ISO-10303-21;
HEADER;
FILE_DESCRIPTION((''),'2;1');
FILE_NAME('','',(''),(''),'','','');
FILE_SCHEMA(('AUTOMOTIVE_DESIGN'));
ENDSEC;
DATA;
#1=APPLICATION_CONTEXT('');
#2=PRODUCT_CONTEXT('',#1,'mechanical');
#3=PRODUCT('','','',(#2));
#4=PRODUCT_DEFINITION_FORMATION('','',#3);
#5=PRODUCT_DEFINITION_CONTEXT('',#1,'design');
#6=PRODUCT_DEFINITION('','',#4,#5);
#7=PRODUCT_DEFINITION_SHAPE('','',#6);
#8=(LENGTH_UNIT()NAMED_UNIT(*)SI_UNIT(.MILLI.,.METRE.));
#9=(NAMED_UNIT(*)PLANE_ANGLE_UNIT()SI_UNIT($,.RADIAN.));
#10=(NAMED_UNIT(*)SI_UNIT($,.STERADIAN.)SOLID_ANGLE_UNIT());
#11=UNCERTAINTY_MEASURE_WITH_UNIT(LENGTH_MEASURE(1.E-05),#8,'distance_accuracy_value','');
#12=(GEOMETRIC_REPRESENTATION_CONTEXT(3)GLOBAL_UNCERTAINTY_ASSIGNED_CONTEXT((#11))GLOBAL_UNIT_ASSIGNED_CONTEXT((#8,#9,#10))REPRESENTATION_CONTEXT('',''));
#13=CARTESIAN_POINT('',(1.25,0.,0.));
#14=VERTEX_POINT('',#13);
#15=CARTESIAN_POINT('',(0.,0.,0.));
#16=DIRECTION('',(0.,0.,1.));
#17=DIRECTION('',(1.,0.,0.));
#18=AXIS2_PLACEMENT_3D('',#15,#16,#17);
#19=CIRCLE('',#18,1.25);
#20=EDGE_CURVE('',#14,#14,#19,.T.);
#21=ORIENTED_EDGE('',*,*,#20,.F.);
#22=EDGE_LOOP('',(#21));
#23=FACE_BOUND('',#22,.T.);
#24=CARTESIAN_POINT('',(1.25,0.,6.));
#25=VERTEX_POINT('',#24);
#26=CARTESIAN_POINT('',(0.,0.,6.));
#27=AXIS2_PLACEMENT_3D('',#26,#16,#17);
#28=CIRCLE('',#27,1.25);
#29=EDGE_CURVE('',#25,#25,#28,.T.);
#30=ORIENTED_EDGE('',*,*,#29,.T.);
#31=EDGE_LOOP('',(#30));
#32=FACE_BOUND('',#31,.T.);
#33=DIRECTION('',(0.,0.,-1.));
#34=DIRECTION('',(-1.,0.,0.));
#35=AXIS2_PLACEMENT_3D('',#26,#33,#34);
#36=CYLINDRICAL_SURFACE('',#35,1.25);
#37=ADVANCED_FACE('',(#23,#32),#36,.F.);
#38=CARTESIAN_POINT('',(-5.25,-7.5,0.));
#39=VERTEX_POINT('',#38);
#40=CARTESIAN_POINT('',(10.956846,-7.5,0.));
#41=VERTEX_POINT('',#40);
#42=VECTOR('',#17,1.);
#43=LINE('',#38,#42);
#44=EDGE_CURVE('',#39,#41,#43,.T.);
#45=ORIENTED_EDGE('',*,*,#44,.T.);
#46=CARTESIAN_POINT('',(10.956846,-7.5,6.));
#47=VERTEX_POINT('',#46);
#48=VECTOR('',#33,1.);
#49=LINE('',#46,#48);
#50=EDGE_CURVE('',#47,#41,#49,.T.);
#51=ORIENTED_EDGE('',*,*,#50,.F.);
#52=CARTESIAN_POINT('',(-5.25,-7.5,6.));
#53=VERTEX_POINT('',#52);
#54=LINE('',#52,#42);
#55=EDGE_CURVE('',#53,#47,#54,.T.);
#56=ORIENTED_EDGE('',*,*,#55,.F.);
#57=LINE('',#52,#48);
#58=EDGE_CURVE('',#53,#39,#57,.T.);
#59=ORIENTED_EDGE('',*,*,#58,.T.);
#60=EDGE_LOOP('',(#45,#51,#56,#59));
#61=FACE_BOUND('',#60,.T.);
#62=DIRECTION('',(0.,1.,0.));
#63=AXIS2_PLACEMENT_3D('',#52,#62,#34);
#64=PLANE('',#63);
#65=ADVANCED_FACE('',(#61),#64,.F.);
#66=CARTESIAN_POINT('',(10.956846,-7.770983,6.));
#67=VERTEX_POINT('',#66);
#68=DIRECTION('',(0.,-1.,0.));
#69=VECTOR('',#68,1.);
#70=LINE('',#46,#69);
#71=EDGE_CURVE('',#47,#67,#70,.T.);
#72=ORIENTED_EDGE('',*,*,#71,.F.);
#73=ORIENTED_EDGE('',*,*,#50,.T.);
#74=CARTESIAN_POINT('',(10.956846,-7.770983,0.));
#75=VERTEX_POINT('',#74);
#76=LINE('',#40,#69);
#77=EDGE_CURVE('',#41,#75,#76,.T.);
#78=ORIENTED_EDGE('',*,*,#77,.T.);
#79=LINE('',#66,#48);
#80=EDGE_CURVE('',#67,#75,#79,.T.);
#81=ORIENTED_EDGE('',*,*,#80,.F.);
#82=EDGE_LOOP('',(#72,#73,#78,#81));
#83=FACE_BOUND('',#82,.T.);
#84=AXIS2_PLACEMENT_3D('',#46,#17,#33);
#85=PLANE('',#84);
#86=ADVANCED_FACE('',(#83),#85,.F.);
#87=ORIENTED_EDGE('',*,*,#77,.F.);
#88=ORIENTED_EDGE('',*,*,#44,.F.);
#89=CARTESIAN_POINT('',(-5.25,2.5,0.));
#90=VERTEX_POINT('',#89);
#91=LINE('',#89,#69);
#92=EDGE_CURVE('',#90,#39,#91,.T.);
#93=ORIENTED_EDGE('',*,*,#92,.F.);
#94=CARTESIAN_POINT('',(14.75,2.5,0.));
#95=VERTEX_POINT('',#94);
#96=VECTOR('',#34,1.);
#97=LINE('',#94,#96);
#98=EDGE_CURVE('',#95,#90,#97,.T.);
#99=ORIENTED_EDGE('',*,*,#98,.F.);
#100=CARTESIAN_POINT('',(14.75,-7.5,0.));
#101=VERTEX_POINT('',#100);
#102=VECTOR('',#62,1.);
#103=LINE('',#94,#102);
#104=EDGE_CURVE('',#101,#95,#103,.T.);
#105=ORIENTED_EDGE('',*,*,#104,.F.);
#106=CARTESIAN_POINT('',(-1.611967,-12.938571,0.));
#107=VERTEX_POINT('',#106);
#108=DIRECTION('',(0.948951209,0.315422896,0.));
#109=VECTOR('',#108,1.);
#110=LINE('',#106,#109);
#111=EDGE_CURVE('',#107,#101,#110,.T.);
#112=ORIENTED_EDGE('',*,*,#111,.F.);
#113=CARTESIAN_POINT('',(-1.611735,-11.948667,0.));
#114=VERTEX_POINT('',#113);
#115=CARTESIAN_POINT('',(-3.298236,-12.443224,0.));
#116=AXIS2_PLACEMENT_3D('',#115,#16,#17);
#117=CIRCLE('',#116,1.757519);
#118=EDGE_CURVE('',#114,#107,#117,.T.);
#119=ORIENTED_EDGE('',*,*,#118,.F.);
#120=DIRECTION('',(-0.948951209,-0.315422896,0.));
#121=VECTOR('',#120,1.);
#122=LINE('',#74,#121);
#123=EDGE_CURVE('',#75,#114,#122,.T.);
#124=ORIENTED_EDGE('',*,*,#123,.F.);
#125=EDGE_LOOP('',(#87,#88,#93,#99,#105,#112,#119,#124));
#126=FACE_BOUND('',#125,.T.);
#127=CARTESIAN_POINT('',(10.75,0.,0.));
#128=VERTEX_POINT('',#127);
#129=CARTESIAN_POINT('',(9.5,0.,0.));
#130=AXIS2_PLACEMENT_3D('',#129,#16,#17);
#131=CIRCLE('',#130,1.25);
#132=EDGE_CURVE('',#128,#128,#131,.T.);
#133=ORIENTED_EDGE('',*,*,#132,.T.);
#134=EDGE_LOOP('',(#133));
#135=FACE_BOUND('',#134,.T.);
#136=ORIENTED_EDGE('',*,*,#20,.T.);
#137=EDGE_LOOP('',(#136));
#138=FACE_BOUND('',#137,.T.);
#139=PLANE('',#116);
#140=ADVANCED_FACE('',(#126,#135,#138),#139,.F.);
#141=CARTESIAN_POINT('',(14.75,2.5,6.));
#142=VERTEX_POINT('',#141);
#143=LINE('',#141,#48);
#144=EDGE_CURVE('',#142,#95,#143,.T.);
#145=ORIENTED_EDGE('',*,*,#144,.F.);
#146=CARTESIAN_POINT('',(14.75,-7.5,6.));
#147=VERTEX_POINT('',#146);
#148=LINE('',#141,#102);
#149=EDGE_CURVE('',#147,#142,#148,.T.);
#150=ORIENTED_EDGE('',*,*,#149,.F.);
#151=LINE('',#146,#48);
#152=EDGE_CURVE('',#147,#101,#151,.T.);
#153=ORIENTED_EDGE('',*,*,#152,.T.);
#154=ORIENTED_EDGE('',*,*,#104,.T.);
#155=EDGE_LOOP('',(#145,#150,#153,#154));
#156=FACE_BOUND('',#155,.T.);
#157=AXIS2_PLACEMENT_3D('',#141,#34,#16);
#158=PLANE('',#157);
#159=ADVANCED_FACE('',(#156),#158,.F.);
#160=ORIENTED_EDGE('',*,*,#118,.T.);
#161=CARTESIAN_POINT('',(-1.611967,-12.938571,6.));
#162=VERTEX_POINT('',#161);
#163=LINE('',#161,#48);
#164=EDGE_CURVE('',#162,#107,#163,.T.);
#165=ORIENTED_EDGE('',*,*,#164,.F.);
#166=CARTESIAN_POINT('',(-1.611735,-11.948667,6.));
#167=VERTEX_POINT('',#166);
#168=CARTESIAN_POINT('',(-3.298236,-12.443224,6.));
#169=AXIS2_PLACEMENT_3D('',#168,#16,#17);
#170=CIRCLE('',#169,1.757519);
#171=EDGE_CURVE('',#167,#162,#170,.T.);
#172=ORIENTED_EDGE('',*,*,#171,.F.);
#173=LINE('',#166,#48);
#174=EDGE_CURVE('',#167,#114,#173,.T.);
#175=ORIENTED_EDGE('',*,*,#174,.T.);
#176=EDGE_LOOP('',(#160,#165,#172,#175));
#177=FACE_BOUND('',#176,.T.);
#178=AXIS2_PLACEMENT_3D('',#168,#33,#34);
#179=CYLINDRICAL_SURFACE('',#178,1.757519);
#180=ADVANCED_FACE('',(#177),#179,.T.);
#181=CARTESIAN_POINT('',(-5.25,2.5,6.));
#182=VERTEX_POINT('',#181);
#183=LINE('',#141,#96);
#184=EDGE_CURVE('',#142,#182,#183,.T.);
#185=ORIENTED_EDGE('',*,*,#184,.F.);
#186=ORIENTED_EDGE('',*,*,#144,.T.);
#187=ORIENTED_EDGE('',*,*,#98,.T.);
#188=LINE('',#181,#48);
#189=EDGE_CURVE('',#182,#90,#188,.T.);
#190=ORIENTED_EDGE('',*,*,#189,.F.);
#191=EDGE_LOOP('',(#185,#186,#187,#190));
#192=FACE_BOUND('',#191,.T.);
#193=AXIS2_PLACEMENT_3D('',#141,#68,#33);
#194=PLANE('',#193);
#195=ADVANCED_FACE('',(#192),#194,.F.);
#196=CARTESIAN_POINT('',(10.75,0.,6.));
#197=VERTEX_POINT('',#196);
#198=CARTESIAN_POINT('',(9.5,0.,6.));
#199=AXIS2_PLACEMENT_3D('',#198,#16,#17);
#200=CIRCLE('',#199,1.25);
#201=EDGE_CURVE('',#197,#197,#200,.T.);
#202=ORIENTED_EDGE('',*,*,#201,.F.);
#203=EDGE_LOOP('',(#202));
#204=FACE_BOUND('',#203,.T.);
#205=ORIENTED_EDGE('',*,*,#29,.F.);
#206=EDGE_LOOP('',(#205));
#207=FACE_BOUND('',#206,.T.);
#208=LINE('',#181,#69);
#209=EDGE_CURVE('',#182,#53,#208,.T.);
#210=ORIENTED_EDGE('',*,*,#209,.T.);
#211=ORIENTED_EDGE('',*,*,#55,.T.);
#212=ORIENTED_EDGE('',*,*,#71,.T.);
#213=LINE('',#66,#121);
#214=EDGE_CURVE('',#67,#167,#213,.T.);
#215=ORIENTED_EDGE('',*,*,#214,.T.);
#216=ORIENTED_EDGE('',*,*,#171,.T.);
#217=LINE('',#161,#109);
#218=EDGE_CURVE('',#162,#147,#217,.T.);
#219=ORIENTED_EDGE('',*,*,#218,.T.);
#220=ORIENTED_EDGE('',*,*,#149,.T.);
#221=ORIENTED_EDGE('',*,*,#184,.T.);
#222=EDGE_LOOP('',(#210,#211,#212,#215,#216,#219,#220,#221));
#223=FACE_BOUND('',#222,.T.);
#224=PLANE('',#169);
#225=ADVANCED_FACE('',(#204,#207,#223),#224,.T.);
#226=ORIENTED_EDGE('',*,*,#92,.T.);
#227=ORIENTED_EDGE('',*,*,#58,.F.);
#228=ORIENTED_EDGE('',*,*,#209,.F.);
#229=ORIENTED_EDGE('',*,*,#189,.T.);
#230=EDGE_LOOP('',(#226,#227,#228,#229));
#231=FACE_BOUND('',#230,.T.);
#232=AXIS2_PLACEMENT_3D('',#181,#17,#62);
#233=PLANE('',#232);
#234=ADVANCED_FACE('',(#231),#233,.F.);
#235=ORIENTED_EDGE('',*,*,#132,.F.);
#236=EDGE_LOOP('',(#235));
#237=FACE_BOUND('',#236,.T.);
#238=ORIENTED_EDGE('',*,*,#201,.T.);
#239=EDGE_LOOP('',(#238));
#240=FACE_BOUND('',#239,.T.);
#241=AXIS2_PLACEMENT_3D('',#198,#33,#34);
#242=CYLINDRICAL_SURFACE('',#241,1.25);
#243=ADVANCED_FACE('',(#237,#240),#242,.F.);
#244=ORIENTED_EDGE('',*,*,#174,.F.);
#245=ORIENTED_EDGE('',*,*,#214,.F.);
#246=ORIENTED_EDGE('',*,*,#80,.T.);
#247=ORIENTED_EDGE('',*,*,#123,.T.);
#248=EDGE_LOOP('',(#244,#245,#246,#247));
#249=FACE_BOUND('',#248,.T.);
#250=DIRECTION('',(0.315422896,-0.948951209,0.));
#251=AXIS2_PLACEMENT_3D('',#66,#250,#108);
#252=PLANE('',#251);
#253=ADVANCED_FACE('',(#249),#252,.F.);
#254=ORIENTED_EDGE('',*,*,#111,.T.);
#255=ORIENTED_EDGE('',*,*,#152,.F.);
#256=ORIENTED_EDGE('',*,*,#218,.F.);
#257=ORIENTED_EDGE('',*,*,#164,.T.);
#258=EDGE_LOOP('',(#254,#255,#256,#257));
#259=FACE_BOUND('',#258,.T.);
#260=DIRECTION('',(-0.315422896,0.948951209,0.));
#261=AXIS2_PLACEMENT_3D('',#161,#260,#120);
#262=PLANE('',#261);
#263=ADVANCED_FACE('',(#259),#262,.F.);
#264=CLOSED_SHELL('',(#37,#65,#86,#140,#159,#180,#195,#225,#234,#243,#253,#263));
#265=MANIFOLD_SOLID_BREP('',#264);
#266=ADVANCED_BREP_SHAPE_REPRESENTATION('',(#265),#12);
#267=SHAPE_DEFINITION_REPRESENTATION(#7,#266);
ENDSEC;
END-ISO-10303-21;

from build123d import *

# Parameters (mm, degrees)
ESQUISSE1_R        = 1.25
BOSS_EXTRU_1_DEPTH = 6


with BuildPart() as part:
    # Esquisse1 → Boss.-Extru.1 (new body)
    with BuildSketch(Plane.XY):
        with BuildLine():
            Line((14.75, 2.5), (-5.25, 2.5))
            Line((-5.25, 2.5), (-5.25, -7.5))
            Line((-5.25, -7.5), (10.956846109, -7.5))
            Line((10.956846109, -7.5), (10.956846109, -7.7709826))
            Line((10.956846109, -7.7709826), (-1.611734821, -11.948666512))
            ThreePointArc((-1.611734821, -11.948666512), (-5.055755597, -12.442812593), (-1.611966598, -12.938571387))
            Line((-1.611966598, -12.938571387), (14.75, -7.5))
            Line((14.75, -7.5), (14.75, 2.5))
        make_face()
        Circle(ESQUISSE1_R, mode=Mode.SUBTRACT)
        with Locations((9.5, 0)):
            Circle(ESQUISSE1_R, mode=Mode.SUBTRACT)
    extrude(amount=BOSS_EXTRU_1_DEPTH)


solid = part.part
